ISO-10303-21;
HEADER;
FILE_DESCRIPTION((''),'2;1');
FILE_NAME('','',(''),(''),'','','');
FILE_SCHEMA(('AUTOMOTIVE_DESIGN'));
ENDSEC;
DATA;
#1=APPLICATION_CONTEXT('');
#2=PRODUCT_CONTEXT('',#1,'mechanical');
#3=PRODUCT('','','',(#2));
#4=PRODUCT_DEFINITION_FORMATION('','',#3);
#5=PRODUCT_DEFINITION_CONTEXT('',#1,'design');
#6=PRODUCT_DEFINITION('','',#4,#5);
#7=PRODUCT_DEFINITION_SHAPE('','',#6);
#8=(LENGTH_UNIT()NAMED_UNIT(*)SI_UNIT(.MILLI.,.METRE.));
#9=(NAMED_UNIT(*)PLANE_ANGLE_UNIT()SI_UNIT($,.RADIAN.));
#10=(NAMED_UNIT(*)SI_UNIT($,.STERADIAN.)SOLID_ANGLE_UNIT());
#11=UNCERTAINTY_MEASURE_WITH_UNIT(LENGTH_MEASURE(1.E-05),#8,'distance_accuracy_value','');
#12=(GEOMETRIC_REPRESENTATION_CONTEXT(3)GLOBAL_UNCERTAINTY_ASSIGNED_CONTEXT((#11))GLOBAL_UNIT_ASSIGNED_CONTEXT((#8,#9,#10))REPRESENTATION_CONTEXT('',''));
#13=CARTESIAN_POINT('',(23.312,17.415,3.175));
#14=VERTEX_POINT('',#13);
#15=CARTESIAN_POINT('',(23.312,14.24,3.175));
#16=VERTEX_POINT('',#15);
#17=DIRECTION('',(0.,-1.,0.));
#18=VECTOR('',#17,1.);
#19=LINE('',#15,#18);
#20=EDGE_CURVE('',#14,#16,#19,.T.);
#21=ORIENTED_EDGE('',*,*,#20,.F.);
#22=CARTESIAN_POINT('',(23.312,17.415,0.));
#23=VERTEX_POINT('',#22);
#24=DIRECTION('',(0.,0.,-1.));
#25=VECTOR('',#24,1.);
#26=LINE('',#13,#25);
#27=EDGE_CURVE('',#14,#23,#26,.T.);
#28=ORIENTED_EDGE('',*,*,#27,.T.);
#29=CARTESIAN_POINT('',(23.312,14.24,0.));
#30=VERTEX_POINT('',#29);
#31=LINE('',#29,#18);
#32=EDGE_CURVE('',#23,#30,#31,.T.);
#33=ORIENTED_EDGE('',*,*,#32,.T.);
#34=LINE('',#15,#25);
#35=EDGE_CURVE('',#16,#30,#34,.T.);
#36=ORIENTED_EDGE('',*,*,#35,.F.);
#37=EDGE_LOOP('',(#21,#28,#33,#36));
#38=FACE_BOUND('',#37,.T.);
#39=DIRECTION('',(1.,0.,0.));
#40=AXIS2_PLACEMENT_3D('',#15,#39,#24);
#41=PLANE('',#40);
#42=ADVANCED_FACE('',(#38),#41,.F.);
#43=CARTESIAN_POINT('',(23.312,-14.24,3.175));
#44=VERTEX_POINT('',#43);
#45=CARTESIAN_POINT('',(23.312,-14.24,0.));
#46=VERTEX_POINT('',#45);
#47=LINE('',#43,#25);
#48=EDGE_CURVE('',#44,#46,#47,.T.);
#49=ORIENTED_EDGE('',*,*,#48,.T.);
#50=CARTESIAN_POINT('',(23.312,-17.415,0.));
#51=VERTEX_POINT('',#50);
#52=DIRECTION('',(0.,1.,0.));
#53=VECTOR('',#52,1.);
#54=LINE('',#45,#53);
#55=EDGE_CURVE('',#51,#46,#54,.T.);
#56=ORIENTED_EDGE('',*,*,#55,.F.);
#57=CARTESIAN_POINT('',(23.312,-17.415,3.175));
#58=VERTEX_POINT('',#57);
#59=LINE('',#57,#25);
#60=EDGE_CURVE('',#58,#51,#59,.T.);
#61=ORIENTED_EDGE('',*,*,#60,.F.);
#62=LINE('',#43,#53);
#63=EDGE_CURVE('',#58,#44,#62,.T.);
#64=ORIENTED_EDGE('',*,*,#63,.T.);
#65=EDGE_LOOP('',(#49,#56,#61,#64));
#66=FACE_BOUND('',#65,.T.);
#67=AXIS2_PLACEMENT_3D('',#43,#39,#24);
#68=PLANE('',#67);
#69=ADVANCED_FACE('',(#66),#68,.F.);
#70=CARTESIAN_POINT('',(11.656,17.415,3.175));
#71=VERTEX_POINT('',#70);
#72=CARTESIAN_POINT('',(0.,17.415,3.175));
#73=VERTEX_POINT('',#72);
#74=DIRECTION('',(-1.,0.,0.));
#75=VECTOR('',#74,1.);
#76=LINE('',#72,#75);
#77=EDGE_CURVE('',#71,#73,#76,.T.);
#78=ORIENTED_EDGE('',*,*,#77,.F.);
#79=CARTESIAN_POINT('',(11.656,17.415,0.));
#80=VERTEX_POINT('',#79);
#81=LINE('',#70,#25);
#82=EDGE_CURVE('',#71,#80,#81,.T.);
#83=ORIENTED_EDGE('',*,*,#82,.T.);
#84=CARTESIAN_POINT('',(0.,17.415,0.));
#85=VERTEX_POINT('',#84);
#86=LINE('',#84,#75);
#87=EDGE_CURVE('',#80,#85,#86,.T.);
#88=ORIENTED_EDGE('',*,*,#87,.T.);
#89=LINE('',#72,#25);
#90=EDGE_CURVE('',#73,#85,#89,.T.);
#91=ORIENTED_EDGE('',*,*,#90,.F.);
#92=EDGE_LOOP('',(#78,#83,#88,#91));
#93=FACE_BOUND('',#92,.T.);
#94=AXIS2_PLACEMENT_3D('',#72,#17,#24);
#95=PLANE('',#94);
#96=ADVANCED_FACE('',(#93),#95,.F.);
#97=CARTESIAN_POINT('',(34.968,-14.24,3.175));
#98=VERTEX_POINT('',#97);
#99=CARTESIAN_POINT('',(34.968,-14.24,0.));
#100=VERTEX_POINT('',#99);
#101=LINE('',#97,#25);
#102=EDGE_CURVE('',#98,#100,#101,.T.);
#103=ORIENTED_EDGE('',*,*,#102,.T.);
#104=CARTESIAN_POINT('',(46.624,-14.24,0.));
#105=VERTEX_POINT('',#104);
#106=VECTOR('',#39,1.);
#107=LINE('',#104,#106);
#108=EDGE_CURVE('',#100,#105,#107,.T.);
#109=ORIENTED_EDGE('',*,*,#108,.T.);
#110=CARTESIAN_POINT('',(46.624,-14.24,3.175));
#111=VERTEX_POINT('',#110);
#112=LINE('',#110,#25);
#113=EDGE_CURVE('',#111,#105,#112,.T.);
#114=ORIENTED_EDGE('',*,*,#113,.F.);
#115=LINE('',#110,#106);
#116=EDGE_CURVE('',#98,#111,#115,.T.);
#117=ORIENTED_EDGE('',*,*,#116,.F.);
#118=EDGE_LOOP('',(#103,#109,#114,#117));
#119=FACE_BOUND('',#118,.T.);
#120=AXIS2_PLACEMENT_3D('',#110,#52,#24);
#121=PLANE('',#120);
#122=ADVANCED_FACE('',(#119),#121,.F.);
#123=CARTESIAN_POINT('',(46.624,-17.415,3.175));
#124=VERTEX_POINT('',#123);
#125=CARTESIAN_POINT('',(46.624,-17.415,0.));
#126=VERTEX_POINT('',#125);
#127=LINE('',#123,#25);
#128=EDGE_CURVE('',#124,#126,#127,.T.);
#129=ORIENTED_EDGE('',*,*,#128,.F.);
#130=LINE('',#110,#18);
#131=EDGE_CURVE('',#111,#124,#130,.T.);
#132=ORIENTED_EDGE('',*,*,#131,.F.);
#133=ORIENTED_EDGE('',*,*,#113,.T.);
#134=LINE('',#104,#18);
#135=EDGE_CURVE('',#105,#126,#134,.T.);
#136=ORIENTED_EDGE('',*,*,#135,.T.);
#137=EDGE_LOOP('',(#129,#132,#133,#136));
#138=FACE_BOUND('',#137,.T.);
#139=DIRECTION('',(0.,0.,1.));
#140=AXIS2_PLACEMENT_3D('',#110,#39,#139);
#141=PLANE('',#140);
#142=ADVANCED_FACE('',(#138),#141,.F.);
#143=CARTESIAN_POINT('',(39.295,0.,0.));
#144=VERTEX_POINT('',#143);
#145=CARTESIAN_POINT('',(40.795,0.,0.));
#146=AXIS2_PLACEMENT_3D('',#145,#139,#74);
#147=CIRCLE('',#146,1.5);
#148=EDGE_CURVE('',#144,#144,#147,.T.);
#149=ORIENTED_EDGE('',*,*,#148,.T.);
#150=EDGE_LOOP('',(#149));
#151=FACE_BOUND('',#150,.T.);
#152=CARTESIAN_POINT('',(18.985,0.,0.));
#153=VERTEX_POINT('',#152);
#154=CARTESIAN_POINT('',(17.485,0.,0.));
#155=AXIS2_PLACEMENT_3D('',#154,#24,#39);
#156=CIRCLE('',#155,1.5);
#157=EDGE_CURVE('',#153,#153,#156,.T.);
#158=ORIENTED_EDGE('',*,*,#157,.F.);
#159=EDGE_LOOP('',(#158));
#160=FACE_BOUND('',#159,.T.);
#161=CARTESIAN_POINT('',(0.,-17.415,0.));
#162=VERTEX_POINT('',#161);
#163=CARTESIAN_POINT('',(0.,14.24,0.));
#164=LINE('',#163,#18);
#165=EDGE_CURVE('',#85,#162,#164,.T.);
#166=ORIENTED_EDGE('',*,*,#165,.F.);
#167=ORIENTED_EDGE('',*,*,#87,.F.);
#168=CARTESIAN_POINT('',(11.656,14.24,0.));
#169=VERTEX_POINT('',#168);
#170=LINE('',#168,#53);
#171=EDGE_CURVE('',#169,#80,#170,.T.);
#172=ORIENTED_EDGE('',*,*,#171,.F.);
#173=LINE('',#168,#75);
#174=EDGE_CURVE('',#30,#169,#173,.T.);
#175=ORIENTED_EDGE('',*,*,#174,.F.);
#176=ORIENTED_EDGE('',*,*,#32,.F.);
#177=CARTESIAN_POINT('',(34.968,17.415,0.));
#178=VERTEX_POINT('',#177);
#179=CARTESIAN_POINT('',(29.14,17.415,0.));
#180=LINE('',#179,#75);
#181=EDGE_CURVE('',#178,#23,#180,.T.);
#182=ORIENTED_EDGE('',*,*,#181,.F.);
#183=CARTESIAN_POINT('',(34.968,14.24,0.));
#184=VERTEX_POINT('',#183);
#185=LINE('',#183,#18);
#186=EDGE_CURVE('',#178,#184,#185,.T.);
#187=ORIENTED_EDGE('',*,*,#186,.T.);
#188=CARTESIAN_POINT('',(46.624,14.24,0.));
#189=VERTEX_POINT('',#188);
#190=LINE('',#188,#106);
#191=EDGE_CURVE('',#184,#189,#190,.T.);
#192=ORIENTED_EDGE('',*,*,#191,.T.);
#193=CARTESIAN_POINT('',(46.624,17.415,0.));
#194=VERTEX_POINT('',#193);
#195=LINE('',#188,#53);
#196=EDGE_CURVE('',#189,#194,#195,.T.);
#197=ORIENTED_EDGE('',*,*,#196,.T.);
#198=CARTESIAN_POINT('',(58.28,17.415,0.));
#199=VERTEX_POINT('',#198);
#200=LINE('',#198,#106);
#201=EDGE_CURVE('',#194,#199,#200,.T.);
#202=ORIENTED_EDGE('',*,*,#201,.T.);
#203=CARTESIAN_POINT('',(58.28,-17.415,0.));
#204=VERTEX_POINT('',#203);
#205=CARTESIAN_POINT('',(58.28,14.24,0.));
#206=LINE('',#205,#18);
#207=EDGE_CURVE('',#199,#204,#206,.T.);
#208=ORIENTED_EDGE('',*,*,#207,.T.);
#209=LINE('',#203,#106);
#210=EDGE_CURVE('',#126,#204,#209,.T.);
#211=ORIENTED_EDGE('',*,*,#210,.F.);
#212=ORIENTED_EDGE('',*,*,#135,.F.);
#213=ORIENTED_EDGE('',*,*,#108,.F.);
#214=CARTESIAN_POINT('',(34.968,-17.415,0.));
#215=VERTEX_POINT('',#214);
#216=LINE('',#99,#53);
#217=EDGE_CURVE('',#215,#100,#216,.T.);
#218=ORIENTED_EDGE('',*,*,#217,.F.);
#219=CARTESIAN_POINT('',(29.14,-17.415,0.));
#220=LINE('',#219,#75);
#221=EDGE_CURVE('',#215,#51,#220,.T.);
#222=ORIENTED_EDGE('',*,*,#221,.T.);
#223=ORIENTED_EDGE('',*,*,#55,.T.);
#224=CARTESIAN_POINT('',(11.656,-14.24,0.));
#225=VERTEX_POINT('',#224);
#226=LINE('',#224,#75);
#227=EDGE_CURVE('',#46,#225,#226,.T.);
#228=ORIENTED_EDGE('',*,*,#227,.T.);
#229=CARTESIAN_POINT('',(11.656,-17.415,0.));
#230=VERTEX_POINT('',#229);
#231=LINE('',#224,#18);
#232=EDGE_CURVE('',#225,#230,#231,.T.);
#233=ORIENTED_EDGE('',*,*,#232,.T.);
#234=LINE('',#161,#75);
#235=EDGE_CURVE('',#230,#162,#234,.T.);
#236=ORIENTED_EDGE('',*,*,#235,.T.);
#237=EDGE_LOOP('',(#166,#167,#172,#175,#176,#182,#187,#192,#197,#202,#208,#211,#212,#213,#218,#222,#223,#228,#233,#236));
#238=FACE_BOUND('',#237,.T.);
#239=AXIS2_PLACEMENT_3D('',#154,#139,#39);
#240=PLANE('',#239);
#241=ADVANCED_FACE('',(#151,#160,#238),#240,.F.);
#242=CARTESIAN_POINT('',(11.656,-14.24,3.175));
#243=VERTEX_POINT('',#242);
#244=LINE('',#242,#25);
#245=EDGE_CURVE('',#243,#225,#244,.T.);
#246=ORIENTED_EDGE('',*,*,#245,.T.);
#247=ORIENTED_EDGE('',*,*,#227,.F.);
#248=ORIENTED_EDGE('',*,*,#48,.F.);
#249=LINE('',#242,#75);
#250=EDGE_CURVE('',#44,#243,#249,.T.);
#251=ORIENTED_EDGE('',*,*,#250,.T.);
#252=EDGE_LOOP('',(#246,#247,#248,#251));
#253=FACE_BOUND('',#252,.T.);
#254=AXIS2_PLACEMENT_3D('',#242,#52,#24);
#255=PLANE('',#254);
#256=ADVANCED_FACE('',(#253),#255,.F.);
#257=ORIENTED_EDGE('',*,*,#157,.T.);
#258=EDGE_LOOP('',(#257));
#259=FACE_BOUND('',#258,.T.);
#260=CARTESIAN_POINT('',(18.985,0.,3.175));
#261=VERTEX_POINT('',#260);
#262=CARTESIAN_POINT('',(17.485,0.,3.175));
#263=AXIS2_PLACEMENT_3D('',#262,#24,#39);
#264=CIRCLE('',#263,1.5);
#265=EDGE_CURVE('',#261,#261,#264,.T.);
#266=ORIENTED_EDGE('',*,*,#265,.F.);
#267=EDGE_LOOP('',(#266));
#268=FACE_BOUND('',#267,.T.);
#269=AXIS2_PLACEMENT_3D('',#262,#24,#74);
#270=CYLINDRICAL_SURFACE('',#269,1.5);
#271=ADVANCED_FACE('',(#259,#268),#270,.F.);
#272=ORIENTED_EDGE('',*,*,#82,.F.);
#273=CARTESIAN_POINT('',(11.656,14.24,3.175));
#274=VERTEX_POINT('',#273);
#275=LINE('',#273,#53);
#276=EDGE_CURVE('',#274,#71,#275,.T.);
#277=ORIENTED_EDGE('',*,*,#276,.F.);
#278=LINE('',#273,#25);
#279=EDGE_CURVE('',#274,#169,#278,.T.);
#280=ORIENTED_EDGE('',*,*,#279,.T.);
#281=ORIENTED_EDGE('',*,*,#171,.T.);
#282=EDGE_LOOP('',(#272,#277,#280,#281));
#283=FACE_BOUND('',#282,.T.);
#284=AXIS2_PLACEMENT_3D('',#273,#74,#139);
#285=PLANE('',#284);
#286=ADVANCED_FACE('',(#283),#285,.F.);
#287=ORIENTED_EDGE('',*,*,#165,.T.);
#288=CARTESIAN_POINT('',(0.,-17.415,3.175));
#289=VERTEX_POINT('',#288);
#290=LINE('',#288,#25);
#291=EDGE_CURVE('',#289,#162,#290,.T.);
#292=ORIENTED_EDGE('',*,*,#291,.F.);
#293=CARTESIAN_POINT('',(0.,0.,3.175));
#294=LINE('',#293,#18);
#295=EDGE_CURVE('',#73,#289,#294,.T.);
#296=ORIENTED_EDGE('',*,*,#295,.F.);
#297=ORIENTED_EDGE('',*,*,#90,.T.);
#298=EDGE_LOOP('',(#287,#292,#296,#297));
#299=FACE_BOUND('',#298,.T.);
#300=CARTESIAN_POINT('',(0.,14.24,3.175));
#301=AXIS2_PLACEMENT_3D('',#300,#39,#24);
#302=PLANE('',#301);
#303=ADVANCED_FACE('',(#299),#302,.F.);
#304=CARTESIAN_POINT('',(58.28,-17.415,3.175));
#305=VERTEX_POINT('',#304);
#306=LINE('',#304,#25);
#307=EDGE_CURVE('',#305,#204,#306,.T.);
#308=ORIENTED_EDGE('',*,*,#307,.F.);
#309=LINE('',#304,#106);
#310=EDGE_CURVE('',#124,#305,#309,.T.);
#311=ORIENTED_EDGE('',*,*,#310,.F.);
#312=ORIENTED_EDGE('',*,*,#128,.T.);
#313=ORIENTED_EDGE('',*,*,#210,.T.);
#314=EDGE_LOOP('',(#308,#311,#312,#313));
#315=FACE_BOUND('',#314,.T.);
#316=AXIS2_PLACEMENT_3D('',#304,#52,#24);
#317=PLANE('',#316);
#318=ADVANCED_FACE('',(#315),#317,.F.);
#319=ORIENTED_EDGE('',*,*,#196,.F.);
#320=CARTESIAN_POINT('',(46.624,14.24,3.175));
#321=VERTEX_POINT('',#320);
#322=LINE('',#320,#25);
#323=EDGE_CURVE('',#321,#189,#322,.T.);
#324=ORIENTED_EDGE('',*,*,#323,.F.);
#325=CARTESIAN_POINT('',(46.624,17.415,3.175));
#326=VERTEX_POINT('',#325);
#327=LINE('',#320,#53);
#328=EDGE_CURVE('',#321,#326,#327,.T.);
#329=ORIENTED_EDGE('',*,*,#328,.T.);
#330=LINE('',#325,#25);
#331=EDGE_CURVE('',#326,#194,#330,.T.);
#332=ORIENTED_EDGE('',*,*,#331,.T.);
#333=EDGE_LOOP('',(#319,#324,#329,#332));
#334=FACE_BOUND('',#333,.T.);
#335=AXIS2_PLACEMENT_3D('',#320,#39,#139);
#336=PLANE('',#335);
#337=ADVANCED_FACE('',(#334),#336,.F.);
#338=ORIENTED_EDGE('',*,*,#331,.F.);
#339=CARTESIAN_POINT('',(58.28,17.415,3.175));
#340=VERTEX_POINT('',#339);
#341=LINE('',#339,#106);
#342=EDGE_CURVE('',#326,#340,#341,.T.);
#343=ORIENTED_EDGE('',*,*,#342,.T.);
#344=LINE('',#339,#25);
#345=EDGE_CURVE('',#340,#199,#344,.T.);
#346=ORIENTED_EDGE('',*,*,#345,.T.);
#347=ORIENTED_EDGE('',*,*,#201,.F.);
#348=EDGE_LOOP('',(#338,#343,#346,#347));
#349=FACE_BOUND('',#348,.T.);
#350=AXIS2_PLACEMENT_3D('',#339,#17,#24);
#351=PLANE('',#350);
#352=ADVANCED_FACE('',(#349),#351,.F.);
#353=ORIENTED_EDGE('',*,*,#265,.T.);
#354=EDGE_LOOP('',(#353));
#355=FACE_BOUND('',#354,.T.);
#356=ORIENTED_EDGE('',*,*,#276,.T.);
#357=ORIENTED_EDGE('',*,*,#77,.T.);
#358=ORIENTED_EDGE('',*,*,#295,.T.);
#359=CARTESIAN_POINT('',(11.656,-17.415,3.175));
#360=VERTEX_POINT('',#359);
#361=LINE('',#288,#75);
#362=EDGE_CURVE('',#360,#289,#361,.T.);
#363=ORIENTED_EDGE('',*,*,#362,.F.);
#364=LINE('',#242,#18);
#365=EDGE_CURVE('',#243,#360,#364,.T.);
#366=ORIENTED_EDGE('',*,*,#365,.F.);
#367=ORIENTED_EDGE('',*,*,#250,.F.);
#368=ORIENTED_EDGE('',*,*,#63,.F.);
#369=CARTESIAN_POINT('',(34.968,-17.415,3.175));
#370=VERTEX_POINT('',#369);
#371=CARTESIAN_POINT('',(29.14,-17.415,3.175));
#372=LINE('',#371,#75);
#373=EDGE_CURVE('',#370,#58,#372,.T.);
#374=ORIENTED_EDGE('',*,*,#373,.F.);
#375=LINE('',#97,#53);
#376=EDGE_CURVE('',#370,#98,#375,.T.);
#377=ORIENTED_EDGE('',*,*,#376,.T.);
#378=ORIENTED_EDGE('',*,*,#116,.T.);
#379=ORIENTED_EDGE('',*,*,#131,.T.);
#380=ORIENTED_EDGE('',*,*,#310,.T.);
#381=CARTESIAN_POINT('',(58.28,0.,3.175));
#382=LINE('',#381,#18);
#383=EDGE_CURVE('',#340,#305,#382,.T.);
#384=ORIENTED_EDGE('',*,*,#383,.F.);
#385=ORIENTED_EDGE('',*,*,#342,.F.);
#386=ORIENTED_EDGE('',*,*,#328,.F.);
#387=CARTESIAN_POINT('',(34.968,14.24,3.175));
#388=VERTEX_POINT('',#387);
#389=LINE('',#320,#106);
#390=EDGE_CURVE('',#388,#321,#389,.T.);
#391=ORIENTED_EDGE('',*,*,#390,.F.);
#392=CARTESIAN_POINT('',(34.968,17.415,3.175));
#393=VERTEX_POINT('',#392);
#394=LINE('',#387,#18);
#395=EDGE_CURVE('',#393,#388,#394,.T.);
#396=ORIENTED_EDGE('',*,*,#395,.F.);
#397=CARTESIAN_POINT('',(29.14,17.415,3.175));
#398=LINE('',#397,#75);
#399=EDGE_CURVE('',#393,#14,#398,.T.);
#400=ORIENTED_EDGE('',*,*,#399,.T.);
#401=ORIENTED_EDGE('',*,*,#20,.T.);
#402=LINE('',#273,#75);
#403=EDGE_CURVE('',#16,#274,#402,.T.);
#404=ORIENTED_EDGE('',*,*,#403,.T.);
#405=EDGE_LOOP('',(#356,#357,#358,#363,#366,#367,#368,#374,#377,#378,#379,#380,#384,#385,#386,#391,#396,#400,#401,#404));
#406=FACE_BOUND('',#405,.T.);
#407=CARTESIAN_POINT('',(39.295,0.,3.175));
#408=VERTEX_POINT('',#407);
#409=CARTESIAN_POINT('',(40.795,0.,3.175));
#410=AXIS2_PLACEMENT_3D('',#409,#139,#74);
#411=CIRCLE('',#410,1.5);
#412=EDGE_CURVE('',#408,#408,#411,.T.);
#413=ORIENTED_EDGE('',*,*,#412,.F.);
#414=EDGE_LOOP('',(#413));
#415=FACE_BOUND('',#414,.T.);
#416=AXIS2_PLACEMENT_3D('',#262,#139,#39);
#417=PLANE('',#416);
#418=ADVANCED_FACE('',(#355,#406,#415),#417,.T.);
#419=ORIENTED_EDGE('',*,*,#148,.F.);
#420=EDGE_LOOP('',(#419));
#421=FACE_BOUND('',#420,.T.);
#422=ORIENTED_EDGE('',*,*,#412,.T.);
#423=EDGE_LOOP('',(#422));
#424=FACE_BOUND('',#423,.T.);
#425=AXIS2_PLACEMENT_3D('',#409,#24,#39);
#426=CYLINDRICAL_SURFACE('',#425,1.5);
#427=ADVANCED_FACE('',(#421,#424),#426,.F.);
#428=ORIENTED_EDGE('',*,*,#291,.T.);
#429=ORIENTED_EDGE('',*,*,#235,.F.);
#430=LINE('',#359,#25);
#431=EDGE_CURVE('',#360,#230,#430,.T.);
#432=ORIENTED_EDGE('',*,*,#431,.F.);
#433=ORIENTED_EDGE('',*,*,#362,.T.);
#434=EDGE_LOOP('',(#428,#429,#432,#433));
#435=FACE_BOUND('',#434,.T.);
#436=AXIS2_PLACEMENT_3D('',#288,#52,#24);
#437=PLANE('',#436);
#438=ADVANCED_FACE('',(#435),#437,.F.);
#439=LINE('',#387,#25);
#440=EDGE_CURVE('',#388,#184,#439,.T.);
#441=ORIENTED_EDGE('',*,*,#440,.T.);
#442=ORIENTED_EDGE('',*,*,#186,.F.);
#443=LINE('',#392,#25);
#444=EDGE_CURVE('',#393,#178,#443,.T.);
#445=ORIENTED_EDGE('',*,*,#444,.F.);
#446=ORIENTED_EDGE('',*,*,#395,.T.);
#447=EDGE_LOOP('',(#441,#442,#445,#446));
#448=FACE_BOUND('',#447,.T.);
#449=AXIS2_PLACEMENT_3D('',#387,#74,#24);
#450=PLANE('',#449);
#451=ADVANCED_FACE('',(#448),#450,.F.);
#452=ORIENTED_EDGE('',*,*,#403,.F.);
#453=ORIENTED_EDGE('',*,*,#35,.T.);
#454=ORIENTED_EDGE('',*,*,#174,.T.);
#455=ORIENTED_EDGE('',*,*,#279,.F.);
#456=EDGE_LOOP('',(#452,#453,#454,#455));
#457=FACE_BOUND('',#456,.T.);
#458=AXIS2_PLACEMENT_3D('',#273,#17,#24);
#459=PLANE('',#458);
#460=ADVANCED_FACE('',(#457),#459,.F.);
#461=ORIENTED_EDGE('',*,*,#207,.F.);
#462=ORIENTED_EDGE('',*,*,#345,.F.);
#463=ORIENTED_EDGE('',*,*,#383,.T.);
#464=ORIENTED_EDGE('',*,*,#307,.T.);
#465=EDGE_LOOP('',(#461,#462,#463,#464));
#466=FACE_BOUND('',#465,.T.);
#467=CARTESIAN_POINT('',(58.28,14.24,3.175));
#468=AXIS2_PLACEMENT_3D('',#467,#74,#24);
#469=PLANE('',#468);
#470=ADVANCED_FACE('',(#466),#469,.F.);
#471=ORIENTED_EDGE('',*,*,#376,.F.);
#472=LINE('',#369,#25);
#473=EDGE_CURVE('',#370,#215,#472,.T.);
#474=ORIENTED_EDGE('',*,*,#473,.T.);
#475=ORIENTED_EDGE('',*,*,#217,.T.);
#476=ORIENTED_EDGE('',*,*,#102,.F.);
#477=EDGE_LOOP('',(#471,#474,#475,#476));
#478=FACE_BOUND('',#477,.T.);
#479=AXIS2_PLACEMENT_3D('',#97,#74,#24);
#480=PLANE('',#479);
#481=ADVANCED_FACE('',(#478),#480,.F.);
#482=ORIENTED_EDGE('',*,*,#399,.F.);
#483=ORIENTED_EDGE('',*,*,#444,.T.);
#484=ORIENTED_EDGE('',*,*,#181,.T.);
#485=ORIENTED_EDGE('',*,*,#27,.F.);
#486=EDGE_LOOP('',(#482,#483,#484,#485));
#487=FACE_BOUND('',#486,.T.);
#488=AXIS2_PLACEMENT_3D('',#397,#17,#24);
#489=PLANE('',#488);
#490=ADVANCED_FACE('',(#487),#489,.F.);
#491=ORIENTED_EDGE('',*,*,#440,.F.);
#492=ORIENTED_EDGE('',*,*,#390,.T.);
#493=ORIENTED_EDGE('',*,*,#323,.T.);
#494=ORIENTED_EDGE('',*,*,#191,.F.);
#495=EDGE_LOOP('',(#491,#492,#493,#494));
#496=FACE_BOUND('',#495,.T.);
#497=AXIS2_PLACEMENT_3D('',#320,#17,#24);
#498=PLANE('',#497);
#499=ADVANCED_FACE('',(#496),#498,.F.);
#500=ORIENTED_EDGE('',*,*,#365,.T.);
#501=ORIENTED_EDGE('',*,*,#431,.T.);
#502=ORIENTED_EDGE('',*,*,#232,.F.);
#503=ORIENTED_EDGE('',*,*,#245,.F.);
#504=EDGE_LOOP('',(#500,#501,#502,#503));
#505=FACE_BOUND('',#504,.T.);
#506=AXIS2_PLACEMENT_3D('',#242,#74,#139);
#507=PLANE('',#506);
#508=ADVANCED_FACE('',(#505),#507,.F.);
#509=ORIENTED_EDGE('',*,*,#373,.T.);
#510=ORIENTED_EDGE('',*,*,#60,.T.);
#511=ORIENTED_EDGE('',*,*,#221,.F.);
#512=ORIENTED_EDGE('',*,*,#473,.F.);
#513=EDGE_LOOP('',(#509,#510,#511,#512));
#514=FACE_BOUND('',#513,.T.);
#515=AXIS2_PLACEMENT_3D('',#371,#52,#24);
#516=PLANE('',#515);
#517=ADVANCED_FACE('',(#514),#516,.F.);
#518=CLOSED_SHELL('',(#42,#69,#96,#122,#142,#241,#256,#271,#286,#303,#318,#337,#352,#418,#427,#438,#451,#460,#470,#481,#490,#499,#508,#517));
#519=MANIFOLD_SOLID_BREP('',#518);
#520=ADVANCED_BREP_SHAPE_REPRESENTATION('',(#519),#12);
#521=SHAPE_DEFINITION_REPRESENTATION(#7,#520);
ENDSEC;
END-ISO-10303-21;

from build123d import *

# Parameters (mm, degrees)
BOSS_EXTRUDE1_DEPTH = 3.175


with BuildPart() as part:
    # Sketch1 → Boss-Extrude1 (new body)
    with BuildSketch(Plane.XY):
        with BuildLine():
            Line((18.985, 0), (29.14, 0))
            Line((29.14, 0), (29.14, 14.24))
            Line((29.14, 14.24), (29.14, 17.415))
            Line((29.14, 17.415), (23.312, 17.415))
            Line((23.312, 17.415), (23.312, 14.24))
            Line((23.312, 14.24), (11.656, 14.24))
            Line((11.656, 14.24), (11.656, 17.415))
            Line((11.656, 17.415), (0, 17.415))
            Line((0, 17.415), (0, 14.24))
            Line((0, 14.24), (0, 0))
            Line((0, 0), (15.985, 0))
            ThreePointArc((15.985, 0), (17.485, 1.5), (18.985, 0))
        make_face()
    extrude(amount=BOSS_EXTRUDE1_DEPTH)

    # Mirror1: part across plane


with BuildPart() as part_1:
    add(part.part)
    add(part.part.mirror(Plane(origin=(0, 0, 3.175), x_dir=(0, 0, 1), z_dir=(0, 1, 0))))

    # Mirror3: part across plane


with BuildPart() as part_2:
    add(part_1.part)
    add(part_1.part.mirror(Plane(origin=(29.14, 14.24, 3.175), x_dir=(0, 0, 1), z_dir=(-1, 0, 0))))


solid = part_2.part
